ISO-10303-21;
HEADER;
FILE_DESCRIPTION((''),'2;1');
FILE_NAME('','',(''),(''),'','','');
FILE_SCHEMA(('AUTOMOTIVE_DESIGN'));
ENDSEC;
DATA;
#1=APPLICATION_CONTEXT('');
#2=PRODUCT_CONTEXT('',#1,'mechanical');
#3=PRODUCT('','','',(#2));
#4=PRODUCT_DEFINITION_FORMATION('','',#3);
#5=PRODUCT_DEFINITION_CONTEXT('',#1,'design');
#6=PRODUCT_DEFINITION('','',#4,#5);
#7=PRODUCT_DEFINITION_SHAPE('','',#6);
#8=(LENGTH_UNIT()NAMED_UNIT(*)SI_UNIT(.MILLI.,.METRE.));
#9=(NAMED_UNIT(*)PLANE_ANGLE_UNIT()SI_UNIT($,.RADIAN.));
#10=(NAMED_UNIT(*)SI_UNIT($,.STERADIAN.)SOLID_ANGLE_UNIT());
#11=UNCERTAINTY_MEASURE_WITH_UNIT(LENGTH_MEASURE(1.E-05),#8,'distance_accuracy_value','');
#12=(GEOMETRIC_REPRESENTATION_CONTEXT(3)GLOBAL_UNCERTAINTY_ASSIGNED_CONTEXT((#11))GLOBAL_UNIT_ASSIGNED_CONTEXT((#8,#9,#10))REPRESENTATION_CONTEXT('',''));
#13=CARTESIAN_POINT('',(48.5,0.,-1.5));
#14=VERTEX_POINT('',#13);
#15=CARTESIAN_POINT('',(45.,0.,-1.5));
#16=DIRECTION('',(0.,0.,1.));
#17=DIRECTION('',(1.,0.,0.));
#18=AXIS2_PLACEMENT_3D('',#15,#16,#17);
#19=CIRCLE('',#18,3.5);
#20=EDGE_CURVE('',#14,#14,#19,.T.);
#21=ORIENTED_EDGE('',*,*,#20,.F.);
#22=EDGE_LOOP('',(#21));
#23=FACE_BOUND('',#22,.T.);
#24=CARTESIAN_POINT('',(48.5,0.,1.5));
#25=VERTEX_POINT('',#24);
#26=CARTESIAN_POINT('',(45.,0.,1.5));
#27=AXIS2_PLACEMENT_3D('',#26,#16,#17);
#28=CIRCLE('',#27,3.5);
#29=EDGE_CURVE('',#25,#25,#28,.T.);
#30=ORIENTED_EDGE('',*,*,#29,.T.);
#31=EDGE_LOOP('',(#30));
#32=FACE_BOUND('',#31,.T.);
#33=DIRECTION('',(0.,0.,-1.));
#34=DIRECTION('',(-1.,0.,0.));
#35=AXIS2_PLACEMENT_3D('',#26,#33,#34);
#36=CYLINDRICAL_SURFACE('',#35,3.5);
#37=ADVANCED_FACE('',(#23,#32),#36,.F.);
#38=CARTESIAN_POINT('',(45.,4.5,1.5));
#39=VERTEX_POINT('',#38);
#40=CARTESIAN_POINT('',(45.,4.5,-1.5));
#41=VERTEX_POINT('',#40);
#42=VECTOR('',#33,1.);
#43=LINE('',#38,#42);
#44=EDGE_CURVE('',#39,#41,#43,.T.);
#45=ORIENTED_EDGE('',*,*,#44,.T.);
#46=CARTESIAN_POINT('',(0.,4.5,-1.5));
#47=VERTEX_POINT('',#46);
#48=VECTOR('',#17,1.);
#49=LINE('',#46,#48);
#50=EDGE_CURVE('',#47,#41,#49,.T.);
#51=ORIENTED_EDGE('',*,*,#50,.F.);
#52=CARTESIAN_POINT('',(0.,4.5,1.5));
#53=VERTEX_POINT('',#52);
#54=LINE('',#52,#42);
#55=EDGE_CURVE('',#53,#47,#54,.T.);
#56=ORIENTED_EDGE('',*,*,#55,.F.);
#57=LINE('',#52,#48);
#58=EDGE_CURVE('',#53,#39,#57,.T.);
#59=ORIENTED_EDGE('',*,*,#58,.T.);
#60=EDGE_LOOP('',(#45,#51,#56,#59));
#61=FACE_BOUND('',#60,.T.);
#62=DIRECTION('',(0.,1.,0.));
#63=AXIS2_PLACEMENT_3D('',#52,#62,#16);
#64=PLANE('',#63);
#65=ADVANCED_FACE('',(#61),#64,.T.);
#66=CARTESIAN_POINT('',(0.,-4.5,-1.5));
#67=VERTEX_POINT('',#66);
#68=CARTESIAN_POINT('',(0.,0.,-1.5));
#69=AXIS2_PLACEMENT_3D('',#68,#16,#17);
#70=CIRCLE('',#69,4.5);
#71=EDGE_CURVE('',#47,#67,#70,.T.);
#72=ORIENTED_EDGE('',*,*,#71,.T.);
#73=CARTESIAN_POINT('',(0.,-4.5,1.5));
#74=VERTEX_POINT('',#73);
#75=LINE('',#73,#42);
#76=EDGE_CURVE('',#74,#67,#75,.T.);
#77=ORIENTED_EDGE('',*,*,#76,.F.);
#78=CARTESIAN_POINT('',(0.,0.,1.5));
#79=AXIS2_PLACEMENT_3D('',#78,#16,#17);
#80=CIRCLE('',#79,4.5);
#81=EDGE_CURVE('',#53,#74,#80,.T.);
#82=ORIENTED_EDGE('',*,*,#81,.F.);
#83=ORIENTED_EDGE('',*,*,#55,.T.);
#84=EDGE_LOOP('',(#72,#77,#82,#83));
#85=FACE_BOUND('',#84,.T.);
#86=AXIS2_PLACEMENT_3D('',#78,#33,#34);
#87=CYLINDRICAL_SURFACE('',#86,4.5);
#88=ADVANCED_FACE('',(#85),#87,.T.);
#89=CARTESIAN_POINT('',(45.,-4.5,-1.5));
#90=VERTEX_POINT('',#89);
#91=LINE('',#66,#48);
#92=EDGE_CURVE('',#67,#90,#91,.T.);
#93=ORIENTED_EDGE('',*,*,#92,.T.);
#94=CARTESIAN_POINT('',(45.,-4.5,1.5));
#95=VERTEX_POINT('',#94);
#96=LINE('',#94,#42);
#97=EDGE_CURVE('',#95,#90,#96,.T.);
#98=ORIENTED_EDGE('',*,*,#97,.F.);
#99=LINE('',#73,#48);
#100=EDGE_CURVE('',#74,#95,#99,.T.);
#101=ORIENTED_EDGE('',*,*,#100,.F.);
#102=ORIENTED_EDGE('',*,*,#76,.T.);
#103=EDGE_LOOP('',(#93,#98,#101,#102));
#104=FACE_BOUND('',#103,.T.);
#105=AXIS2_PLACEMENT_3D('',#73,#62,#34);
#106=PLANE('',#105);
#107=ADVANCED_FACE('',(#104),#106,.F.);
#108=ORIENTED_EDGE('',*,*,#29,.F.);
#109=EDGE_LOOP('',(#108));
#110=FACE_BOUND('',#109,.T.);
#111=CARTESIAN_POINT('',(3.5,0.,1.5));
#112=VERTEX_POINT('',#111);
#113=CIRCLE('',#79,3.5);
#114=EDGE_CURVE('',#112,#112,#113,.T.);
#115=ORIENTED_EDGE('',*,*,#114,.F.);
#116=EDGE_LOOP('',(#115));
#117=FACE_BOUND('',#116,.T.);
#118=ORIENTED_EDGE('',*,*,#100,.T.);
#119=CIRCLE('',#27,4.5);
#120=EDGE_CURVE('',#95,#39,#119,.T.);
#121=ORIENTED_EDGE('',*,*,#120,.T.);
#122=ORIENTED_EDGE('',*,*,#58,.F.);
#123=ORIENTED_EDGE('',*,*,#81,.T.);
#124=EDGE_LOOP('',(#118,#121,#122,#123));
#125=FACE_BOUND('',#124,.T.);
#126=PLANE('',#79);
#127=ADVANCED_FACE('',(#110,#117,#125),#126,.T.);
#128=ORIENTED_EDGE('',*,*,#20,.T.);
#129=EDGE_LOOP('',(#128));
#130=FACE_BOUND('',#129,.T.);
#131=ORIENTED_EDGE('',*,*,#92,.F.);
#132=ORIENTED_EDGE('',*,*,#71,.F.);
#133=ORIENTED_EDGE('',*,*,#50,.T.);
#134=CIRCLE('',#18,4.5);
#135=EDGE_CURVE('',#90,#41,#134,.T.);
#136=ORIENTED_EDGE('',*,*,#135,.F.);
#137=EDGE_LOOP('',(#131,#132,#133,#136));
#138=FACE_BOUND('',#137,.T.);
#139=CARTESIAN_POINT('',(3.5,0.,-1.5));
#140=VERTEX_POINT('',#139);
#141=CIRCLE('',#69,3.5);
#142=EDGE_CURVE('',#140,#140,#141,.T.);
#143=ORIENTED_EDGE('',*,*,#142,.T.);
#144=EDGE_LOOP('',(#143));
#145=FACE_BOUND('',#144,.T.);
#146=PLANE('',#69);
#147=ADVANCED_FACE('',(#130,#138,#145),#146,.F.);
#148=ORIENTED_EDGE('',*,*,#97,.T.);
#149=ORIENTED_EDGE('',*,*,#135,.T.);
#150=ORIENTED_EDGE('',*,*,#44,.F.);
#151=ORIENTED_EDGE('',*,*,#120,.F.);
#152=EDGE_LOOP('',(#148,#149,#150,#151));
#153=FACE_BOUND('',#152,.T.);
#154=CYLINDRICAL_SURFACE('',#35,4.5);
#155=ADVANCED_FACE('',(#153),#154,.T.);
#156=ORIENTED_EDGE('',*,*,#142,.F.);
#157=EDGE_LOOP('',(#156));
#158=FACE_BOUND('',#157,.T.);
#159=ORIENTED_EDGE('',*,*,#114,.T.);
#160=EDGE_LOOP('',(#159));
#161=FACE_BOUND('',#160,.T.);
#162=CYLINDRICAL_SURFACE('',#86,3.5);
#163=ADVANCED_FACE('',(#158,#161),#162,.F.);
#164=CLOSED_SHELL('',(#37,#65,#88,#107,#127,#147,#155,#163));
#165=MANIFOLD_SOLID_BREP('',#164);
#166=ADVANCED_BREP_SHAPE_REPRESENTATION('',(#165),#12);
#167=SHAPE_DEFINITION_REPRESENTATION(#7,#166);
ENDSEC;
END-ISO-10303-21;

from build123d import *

# Parameters (mm, degrees)
SKETCH_1_R      = 3.5
EXTRUDE_1_DEPTH = 1.5


with BuildPart() as part:
    # 草图1 → 凸台-拉伸1 (new, symmetric)
    with BuildSketch(Plane.XY):
        with BuildLine():
            Line((45, 4.5), (0, 4.5))
            ThreePointArc((0, 4.5), (-4.5, 0), (0, -4.5))
            Line((0, -4.5), (45, -4.5))
            ThreePointArc((45, -4.5), (49.5, 0), (45, 4.5))
        make_face()
        with Locations((45, 0)):
            Circle(SKETCH_1_R, mode=Mode.SUBTRACT)
        Circle(SKETCH_1_R, mode=Mode.SUBTRACT)
    extrude(amount=EXTRUDE_1_DEPTH, both=True)


solid = part.part
